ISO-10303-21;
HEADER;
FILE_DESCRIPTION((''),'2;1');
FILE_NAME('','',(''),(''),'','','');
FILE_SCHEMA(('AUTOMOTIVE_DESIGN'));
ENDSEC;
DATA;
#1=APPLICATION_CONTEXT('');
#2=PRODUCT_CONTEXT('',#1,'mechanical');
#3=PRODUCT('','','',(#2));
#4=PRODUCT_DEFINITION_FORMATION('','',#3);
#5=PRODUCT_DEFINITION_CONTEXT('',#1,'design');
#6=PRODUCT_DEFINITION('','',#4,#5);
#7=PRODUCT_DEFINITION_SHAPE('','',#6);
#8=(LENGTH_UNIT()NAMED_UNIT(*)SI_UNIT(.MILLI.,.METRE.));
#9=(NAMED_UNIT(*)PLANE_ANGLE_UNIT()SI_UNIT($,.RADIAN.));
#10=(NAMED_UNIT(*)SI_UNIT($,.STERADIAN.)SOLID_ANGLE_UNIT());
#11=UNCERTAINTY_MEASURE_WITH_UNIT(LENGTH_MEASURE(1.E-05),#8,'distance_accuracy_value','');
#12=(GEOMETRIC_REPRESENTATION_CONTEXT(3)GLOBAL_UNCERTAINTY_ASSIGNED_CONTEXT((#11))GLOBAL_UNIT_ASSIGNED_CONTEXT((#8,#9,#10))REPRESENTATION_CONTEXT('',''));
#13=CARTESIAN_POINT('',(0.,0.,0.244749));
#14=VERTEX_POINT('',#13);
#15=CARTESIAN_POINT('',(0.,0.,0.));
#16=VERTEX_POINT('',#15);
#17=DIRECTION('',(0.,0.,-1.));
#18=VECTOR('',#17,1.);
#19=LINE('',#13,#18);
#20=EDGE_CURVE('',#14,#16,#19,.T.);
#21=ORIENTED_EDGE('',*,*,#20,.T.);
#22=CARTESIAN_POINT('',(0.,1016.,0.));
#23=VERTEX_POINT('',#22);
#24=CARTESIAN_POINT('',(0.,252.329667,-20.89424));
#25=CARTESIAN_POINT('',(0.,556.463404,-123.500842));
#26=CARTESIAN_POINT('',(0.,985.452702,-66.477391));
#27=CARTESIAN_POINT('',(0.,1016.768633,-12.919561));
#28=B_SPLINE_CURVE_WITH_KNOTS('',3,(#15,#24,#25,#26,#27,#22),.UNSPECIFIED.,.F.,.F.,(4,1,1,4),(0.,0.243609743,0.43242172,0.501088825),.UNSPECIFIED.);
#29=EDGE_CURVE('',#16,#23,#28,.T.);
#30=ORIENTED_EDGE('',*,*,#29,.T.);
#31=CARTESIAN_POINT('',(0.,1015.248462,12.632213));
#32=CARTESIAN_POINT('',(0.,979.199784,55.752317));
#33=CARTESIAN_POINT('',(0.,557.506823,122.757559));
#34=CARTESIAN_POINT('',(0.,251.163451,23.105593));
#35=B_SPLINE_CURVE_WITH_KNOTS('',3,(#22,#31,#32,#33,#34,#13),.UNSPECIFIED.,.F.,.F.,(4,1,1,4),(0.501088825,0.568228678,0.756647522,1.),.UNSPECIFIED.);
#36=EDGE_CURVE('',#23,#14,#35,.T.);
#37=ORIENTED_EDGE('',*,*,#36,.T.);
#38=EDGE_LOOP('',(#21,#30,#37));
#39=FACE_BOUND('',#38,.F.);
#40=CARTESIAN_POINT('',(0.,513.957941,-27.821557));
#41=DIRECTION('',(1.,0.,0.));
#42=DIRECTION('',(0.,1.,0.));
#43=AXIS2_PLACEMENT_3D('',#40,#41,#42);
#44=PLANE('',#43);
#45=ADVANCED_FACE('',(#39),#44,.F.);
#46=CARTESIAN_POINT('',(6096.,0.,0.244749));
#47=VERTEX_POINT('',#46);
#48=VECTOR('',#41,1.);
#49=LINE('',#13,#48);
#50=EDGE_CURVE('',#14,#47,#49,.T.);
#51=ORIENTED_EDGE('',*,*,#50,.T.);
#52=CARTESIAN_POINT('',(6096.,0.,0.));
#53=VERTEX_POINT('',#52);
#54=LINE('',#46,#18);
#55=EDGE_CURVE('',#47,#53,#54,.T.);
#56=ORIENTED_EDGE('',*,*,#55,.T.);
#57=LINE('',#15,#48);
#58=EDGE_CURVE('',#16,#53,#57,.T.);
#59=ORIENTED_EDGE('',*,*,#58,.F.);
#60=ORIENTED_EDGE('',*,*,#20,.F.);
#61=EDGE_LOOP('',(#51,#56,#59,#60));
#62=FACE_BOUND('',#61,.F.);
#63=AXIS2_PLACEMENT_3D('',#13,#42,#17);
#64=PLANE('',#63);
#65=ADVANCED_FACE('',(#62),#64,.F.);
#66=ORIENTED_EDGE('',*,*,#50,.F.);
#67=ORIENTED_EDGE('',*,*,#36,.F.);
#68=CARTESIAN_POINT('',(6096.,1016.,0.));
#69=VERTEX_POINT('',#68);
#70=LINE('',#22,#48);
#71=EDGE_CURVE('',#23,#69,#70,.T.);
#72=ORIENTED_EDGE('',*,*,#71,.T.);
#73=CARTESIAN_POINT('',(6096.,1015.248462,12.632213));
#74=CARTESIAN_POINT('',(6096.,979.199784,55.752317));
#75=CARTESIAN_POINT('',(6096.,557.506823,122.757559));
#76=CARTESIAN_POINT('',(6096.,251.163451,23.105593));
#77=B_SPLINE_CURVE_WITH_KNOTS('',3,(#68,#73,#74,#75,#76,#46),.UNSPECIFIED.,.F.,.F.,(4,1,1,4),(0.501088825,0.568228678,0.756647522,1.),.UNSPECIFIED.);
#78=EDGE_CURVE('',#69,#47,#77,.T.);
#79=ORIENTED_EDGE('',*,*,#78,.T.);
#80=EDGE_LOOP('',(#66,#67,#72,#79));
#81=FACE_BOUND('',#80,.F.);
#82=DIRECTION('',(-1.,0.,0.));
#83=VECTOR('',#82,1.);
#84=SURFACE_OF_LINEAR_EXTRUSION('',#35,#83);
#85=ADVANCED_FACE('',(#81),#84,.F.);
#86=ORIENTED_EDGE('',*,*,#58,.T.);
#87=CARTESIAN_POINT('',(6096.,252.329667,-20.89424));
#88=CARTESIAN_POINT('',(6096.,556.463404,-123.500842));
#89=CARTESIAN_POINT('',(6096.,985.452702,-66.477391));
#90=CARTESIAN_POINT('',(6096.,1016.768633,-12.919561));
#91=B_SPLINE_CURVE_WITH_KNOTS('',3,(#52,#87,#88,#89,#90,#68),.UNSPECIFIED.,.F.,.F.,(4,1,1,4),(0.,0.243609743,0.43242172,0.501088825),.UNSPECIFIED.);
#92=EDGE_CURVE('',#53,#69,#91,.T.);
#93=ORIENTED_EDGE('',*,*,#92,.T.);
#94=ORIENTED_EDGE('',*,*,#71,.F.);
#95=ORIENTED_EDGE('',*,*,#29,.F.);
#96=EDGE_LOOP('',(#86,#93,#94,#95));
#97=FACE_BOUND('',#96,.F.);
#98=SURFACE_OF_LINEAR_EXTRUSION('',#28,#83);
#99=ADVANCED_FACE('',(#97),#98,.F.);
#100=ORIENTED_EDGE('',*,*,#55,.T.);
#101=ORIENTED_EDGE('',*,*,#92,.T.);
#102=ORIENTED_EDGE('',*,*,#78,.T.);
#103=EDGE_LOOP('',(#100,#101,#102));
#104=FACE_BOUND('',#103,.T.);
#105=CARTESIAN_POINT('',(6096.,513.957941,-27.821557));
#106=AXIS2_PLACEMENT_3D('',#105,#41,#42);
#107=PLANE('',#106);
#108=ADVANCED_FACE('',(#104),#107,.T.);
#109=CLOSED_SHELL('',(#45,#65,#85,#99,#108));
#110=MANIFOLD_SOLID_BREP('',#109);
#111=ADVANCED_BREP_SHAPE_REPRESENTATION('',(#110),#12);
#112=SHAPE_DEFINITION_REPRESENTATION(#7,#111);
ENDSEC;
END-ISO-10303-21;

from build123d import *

# Parameters (mm, degrees)
F1_DEPTH = 6096


with BuildPart() as f1:
    # F0 (on Right) → F1 (new body)
    with BuildSketch(Plane.YZ):
        with BuildLine():
            Line((1016, 0), (0, 0))
            add(Edge.make_bspline(
                [(0, 0), (252.3296671921, -20.8942399087), (556.463403827, -123.5008420083), (985.4527023488, -66.477390861), (1016.7686334073, -12.9195614933), (1016, 0)],
                knots=[0, 0, 0, 0, 0.2436097432, 0.4324217202, 0.5010888248, 0.5010888248, 0.5010888248, 0.5010888248], degree=3))
        make_face()
        with BuildLine():
            Line((0, 0.2447488009), (0, 0))
            Line((0, 0), (1016, 0))
            add(Edge.make_bspline(
                [(1016, 0), (1015.248462062, 12.6322125891), (979.1997836122, 55.7523171552), (557.5068229765, 122.7575591605), (251.1634511614, 23.1055931839), (0, 0.2447488009)],
                knots=[0.5010888248, 0.5010888248, 0.5010888248, 0.5010888248, 0.568228678, 0.7566475224, 1, 1, 1, 1], degree=3))
        make_face()
    extrude(amount=F1_DEPTH)


solid = f1.part
